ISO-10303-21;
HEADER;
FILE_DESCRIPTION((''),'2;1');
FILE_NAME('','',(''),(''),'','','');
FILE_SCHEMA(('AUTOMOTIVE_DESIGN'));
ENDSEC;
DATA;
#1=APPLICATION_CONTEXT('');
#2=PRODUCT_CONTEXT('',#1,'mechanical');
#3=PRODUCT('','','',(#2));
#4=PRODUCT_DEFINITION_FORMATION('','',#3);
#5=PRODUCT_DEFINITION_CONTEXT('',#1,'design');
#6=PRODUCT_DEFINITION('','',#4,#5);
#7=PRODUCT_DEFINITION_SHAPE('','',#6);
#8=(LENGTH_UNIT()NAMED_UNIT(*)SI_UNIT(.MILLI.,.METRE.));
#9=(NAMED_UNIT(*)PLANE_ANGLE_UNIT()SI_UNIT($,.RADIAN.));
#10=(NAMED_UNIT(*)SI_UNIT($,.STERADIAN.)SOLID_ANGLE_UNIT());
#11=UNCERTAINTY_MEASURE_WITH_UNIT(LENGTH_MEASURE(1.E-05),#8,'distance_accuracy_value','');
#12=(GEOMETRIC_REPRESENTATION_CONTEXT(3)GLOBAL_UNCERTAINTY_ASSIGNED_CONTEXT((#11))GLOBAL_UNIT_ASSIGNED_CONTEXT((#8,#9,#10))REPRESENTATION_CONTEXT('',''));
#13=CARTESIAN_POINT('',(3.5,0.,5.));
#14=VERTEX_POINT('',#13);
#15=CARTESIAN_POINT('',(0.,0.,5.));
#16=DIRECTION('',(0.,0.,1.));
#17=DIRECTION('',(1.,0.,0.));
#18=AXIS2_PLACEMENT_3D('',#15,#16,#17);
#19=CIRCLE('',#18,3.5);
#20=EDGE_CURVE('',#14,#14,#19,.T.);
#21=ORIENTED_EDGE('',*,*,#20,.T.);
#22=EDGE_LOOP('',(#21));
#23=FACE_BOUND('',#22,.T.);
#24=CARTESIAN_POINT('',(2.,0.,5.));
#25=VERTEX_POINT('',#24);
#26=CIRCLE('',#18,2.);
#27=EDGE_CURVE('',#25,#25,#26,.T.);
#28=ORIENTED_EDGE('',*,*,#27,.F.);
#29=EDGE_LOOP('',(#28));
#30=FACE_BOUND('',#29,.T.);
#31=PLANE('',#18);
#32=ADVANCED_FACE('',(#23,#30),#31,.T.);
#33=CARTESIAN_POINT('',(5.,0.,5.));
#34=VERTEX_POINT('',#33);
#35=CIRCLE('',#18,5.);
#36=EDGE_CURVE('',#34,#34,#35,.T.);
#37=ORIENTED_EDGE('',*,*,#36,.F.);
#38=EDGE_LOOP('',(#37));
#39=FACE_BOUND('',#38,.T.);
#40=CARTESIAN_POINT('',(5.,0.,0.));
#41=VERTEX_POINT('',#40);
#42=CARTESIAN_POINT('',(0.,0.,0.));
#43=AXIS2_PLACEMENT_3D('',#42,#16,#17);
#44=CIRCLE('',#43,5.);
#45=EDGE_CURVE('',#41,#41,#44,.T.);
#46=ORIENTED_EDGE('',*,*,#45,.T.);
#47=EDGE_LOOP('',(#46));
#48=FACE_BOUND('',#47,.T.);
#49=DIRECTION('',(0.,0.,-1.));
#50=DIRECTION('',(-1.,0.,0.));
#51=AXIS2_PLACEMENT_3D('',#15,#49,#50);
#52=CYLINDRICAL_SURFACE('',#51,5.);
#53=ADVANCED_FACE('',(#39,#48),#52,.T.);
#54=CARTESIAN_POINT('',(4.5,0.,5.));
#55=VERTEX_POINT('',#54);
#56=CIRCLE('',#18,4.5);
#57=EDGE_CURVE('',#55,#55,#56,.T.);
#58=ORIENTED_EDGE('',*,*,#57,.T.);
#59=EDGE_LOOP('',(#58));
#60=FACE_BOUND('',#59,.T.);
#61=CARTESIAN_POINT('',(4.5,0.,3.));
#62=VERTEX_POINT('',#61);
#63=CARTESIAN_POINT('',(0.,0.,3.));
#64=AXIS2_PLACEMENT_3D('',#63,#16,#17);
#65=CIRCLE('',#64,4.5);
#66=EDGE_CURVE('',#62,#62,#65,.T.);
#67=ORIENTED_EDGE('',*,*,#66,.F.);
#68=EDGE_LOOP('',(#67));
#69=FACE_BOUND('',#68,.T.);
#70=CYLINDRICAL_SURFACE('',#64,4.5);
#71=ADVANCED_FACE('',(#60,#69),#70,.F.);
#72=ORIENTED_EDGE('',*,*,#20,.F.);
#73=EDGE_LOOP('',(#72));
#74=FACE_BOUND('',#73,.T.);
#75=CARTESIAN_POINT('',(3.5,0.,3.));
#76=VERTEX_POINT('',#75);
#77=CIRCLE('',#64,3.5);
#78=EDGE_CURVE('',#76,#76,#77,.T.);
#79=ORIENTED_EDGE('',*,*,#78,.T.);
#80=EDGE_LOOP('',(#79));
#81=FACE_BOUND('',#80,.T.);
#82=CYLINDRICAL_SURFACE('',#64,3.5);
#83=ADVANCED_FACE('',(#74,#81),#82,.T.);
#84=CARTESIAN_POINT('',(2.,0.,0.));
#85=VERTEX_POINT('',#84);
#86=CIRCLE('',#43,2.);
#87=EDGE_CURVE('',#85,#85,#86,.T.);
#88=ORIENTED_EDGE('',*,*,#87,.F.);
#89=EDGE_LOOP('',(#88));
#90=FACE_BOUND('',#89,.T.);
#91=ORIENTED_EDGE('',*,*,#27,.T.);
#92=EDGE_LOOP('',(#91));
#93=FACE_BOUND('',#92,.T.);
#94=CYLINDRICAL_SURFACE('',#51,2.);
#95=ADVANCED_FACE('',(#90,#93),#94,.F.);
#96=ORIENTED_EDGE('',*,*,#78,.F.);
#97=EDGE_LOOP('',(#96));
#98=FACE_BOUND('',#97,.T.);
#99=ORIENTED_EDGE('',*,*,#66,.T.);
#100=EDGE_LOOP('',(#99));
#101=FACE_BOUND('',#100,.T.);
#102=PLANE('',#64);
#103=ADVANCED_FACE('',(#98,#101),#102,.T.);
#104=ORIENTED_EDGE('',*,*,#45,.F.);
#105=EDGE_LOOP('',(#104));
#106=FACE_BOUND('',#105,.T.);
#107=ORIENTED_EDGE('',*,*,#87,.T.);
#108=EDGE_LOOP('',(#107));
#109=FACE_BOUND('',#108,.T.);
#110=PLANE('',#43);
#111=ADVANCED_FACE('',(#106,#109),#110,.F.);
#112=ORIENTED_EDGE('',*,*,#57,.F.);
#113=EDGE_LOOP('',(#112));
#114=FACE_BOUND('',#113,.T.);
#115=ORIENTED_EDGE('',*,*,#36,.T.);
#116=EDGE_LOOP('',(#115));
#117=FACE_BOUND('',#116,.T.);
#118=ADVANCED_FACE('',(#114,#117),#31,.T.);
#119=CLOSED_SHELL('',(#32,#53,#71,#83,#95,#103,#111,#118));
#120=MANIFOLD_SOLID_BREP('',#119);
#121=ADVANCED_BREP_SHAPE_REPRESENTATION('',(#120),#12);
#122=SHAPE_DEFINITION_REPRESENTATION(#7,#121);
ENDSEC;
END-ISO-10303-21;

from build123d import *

# Parameters (mm, degrees)
SKETCH1_R           = 5
SKETCH1_R_2         = 2
BOSS_EXTRUDE1_DEPTH = 5
SKETCH2_R           = 4.5
SKETCH2_R_2         = 3.5
CUT_EXTRUDE1_DEPTH  = 2


with BuildPart() as part:
    # Sketch1 → Boss-Extrude1 (new body)
    with BuildSketch(Plane.XY):
        Circle(SKETCH1_R)
        Circle(SKETCH1_R_2, mode=Mode.SUBTRACT)
    extrude(amount=BOSS_EXTRUDE1_DEPTH)

    # Sketch2 → Cut-Extrude1 (cut)
    with BuildSketch(Plane.XY.offset(5)):
        Circle(SKETCH2_R)
        Circle(SKETCH2_R_2, mode=Mode.SUBTRACT)
    extrude(amount=-CUT_EXTRUDE1_DEPTH, mode=Mode.SUBTRACT)


solid = part.part
